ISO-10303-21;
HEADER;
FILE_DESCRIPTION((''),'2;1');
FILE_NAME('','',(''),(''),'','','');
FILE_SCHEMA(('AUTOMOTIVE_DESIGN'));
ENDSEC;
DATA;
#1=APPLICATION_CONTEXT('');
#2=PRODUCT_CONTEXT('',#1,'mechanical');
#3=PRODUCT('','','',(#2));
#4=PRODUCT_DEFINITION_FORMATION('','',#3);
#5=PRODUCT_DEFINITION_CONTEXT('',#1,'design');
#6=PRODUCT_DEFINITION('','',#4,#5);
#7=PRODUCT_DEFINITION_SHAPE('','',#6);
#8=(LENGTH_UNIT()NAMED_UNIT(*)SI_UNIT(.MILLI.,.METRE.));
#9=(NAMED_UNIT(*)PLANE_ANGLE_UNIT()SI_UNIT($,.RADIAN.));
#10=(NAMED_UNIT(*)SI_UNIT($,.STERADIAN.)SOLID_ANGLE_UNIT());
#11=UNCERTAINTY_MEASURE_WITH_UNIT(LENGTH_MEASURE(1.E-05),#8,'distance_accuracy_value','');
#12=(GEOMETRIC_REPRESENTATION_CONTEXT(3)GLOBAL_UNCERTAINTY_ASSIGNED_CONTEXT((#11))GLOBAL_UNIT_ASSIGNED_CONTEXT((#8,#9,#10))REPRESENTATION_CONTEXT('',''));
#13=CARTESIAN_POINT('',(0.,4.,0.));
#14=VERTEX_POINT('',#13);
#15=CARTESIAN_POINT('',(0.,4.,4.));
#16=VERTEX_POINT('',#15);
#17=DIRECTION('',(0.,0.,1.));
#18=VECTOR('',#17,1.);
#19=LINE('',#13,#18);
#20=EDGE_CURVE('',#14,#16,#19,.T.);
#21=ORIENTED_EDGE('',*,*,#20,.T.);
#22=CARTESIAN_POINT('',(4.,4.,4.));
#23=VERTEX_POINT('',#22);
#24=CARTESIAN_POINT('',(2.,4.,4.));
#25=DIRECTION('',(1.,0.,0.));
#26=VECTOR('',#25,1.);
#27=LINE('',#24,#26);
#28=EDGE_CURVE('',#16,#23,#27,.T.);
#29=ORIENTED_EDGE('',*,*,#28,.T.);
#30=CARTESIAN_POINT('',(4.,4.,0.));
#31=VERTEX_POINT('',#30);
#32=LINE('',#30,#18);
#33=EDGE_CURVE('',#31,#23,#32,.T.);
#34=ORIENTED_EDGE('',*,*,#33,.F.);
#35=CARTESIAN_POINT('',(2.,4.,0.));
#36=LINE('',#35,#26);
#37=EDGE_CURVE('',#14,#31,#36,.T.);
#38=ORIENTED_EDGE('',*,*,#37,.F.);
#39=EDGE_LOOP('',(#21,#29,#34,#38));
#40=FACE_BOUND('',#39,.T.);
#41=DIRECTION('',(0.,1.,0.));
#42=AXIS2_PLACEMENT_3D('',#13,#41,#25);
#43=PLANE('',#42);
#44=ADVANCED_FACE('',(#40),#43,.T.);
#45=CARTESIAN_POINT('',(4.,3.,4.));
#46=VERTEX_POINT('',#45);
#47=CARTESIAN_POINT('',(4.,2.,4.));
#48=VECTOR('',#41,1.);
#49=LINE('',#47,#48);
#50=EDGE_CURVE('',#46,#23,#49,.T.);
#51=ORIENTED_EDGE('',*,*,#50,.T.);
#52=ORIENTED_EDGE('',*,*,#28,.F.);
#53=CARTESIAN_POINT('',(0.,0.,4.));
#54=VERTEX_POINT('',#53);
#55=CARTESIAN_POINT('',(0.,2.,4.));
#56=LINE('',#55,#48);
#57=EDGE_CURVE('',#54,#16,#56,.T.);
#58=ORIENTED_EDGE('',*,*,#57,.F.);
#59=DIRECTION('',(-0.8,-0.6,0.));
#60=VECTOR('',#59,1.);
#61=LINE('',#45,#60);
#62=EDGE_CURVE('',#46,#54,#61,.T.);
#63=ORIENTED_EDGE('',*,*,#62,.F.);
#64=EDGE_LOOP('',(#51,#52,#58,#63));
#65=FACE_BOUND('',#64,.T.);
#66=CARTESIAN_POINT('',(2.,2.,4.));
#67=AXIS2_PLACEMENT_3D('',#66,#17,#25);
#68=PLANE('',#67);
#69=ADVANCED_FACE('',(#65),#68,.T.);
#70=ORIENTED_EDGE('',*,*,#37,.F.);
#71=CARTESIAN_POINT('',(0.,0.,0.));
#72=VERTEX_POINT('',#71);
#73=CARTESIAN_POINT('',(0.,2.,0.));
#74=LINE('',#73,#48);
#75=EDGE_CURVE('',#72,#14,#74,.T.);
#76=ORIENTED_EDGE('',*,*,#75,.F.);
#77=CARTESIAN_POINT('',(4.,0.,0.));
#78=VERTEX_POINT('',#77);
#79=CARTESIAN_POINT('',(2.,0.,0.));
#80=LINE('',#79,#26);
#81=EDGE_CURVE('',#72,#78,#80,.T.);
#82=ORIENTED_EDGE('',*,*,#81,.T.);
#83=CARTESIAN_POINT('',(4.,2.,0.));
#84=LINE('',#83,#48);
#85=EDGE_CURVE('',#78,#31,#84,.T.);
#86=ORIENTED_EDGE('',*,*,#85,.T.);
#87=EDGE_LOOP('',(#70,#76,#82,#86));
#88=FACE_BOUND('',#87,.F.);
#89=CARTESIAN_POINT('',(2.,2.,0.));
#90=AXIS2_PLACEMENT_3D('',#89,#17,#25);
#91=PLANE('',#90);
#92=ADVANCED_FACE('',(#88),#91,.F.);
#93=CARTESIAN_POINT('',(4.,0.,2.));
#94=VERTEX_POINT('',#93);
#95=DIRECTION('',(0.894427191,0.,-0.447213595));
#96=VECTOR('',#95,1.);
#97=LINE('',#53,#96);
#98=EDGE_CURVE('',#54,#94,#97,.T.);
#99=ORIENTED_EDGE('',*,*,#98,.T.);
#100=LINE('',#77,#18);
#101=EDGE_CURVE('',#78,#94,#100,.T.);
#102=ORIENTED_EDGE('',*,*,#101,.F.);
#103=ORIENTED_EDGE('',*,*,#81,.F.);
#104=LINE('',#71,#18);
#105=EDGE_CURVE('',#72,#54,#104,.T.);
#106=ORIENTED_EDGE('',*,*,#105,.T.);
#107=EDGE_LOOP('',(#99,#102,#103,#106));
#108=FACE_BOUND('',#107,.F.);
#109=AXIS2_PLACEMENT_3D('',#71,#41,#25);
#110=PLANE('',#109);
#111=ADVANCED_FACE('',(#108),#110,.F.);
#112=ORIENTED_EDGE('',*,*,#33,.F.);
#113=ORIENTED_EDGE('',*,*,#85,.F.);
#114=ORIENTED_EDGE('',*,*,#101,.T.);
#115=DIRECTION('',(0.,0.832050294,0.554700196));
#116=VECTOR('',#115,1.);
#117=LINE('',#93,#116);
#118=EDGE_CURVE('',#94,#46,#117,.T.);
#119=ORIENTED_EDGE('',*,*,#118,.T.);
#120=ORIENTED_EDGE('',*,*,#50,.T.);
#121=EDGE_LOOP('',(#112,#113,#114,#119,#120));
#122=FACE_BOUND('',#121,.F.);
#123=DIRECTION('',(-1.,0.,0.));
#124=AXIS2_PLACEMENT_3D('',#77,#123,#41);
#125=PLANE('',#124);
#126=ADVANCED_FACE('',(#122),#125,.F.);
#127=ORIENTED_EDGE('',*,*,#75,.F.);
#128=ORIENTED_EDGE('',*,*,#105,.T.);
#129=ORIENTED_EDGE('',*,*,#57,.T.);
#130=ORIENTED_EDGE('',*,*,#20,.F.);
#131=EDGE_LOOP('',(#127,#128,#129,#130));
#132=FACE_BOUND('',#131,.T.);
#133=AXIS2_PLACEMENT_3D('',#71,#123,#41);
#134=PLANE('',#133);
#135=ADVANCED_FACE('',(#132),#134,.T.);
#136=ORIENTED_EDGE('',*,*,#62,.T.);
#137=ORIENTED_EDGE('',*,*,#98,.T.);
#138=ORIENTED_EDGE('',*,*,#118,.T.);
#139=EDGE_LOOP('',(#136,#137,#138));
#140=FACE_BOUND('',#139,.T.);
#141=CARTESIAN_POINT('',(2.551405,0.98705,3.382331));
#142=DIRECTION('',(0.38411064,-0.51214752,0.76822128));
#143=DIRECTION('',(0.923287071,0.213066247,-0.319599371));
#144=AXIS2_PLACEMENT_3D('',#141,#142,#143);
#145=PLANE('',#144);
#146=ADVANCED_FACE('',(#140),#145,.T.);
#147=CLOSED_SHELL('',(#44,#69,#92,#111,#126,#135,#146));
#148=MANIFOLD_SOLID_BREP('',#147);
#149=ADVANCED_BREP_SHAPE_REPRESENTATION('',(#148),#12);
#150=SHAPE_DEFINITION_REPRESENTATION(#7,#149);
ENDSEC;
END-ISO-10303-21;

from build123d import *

# Parameters (mm, degrees)
F0_W     = 4
F0_H     = 4
F1_DEPTH = 4
F5_DEPTH = 25


with BuildPart() as f1:
    # F0 (on Top) → F1 (new body)
    with BuildSketch(Plane.XY):
        with Locations((2, 2)):
            Rectangle(F0_W, F0_H)
    extrude(amount=F1_DEPTH)

    # F4 (on 3pt) → F5 (cut)
    with BuildSketch(Plane(origin=(1.1803278689, -1.5737704918, 2.3606557377), x_dir=(0.9232870715, 0.2130662473, -0.3195993709), z_dir=(0.3841106398, -0.5121475197, 0.7682212796))):
        Polygon((3.0539495442, 4.7149516679), (-1.2783974836, 2.2188007849), (3.0539495442, 1.1094003925), align=None)
    extrude(amount=F5_DEPTH, mode=Mode.SUBTRACT)


solid = f1.part
